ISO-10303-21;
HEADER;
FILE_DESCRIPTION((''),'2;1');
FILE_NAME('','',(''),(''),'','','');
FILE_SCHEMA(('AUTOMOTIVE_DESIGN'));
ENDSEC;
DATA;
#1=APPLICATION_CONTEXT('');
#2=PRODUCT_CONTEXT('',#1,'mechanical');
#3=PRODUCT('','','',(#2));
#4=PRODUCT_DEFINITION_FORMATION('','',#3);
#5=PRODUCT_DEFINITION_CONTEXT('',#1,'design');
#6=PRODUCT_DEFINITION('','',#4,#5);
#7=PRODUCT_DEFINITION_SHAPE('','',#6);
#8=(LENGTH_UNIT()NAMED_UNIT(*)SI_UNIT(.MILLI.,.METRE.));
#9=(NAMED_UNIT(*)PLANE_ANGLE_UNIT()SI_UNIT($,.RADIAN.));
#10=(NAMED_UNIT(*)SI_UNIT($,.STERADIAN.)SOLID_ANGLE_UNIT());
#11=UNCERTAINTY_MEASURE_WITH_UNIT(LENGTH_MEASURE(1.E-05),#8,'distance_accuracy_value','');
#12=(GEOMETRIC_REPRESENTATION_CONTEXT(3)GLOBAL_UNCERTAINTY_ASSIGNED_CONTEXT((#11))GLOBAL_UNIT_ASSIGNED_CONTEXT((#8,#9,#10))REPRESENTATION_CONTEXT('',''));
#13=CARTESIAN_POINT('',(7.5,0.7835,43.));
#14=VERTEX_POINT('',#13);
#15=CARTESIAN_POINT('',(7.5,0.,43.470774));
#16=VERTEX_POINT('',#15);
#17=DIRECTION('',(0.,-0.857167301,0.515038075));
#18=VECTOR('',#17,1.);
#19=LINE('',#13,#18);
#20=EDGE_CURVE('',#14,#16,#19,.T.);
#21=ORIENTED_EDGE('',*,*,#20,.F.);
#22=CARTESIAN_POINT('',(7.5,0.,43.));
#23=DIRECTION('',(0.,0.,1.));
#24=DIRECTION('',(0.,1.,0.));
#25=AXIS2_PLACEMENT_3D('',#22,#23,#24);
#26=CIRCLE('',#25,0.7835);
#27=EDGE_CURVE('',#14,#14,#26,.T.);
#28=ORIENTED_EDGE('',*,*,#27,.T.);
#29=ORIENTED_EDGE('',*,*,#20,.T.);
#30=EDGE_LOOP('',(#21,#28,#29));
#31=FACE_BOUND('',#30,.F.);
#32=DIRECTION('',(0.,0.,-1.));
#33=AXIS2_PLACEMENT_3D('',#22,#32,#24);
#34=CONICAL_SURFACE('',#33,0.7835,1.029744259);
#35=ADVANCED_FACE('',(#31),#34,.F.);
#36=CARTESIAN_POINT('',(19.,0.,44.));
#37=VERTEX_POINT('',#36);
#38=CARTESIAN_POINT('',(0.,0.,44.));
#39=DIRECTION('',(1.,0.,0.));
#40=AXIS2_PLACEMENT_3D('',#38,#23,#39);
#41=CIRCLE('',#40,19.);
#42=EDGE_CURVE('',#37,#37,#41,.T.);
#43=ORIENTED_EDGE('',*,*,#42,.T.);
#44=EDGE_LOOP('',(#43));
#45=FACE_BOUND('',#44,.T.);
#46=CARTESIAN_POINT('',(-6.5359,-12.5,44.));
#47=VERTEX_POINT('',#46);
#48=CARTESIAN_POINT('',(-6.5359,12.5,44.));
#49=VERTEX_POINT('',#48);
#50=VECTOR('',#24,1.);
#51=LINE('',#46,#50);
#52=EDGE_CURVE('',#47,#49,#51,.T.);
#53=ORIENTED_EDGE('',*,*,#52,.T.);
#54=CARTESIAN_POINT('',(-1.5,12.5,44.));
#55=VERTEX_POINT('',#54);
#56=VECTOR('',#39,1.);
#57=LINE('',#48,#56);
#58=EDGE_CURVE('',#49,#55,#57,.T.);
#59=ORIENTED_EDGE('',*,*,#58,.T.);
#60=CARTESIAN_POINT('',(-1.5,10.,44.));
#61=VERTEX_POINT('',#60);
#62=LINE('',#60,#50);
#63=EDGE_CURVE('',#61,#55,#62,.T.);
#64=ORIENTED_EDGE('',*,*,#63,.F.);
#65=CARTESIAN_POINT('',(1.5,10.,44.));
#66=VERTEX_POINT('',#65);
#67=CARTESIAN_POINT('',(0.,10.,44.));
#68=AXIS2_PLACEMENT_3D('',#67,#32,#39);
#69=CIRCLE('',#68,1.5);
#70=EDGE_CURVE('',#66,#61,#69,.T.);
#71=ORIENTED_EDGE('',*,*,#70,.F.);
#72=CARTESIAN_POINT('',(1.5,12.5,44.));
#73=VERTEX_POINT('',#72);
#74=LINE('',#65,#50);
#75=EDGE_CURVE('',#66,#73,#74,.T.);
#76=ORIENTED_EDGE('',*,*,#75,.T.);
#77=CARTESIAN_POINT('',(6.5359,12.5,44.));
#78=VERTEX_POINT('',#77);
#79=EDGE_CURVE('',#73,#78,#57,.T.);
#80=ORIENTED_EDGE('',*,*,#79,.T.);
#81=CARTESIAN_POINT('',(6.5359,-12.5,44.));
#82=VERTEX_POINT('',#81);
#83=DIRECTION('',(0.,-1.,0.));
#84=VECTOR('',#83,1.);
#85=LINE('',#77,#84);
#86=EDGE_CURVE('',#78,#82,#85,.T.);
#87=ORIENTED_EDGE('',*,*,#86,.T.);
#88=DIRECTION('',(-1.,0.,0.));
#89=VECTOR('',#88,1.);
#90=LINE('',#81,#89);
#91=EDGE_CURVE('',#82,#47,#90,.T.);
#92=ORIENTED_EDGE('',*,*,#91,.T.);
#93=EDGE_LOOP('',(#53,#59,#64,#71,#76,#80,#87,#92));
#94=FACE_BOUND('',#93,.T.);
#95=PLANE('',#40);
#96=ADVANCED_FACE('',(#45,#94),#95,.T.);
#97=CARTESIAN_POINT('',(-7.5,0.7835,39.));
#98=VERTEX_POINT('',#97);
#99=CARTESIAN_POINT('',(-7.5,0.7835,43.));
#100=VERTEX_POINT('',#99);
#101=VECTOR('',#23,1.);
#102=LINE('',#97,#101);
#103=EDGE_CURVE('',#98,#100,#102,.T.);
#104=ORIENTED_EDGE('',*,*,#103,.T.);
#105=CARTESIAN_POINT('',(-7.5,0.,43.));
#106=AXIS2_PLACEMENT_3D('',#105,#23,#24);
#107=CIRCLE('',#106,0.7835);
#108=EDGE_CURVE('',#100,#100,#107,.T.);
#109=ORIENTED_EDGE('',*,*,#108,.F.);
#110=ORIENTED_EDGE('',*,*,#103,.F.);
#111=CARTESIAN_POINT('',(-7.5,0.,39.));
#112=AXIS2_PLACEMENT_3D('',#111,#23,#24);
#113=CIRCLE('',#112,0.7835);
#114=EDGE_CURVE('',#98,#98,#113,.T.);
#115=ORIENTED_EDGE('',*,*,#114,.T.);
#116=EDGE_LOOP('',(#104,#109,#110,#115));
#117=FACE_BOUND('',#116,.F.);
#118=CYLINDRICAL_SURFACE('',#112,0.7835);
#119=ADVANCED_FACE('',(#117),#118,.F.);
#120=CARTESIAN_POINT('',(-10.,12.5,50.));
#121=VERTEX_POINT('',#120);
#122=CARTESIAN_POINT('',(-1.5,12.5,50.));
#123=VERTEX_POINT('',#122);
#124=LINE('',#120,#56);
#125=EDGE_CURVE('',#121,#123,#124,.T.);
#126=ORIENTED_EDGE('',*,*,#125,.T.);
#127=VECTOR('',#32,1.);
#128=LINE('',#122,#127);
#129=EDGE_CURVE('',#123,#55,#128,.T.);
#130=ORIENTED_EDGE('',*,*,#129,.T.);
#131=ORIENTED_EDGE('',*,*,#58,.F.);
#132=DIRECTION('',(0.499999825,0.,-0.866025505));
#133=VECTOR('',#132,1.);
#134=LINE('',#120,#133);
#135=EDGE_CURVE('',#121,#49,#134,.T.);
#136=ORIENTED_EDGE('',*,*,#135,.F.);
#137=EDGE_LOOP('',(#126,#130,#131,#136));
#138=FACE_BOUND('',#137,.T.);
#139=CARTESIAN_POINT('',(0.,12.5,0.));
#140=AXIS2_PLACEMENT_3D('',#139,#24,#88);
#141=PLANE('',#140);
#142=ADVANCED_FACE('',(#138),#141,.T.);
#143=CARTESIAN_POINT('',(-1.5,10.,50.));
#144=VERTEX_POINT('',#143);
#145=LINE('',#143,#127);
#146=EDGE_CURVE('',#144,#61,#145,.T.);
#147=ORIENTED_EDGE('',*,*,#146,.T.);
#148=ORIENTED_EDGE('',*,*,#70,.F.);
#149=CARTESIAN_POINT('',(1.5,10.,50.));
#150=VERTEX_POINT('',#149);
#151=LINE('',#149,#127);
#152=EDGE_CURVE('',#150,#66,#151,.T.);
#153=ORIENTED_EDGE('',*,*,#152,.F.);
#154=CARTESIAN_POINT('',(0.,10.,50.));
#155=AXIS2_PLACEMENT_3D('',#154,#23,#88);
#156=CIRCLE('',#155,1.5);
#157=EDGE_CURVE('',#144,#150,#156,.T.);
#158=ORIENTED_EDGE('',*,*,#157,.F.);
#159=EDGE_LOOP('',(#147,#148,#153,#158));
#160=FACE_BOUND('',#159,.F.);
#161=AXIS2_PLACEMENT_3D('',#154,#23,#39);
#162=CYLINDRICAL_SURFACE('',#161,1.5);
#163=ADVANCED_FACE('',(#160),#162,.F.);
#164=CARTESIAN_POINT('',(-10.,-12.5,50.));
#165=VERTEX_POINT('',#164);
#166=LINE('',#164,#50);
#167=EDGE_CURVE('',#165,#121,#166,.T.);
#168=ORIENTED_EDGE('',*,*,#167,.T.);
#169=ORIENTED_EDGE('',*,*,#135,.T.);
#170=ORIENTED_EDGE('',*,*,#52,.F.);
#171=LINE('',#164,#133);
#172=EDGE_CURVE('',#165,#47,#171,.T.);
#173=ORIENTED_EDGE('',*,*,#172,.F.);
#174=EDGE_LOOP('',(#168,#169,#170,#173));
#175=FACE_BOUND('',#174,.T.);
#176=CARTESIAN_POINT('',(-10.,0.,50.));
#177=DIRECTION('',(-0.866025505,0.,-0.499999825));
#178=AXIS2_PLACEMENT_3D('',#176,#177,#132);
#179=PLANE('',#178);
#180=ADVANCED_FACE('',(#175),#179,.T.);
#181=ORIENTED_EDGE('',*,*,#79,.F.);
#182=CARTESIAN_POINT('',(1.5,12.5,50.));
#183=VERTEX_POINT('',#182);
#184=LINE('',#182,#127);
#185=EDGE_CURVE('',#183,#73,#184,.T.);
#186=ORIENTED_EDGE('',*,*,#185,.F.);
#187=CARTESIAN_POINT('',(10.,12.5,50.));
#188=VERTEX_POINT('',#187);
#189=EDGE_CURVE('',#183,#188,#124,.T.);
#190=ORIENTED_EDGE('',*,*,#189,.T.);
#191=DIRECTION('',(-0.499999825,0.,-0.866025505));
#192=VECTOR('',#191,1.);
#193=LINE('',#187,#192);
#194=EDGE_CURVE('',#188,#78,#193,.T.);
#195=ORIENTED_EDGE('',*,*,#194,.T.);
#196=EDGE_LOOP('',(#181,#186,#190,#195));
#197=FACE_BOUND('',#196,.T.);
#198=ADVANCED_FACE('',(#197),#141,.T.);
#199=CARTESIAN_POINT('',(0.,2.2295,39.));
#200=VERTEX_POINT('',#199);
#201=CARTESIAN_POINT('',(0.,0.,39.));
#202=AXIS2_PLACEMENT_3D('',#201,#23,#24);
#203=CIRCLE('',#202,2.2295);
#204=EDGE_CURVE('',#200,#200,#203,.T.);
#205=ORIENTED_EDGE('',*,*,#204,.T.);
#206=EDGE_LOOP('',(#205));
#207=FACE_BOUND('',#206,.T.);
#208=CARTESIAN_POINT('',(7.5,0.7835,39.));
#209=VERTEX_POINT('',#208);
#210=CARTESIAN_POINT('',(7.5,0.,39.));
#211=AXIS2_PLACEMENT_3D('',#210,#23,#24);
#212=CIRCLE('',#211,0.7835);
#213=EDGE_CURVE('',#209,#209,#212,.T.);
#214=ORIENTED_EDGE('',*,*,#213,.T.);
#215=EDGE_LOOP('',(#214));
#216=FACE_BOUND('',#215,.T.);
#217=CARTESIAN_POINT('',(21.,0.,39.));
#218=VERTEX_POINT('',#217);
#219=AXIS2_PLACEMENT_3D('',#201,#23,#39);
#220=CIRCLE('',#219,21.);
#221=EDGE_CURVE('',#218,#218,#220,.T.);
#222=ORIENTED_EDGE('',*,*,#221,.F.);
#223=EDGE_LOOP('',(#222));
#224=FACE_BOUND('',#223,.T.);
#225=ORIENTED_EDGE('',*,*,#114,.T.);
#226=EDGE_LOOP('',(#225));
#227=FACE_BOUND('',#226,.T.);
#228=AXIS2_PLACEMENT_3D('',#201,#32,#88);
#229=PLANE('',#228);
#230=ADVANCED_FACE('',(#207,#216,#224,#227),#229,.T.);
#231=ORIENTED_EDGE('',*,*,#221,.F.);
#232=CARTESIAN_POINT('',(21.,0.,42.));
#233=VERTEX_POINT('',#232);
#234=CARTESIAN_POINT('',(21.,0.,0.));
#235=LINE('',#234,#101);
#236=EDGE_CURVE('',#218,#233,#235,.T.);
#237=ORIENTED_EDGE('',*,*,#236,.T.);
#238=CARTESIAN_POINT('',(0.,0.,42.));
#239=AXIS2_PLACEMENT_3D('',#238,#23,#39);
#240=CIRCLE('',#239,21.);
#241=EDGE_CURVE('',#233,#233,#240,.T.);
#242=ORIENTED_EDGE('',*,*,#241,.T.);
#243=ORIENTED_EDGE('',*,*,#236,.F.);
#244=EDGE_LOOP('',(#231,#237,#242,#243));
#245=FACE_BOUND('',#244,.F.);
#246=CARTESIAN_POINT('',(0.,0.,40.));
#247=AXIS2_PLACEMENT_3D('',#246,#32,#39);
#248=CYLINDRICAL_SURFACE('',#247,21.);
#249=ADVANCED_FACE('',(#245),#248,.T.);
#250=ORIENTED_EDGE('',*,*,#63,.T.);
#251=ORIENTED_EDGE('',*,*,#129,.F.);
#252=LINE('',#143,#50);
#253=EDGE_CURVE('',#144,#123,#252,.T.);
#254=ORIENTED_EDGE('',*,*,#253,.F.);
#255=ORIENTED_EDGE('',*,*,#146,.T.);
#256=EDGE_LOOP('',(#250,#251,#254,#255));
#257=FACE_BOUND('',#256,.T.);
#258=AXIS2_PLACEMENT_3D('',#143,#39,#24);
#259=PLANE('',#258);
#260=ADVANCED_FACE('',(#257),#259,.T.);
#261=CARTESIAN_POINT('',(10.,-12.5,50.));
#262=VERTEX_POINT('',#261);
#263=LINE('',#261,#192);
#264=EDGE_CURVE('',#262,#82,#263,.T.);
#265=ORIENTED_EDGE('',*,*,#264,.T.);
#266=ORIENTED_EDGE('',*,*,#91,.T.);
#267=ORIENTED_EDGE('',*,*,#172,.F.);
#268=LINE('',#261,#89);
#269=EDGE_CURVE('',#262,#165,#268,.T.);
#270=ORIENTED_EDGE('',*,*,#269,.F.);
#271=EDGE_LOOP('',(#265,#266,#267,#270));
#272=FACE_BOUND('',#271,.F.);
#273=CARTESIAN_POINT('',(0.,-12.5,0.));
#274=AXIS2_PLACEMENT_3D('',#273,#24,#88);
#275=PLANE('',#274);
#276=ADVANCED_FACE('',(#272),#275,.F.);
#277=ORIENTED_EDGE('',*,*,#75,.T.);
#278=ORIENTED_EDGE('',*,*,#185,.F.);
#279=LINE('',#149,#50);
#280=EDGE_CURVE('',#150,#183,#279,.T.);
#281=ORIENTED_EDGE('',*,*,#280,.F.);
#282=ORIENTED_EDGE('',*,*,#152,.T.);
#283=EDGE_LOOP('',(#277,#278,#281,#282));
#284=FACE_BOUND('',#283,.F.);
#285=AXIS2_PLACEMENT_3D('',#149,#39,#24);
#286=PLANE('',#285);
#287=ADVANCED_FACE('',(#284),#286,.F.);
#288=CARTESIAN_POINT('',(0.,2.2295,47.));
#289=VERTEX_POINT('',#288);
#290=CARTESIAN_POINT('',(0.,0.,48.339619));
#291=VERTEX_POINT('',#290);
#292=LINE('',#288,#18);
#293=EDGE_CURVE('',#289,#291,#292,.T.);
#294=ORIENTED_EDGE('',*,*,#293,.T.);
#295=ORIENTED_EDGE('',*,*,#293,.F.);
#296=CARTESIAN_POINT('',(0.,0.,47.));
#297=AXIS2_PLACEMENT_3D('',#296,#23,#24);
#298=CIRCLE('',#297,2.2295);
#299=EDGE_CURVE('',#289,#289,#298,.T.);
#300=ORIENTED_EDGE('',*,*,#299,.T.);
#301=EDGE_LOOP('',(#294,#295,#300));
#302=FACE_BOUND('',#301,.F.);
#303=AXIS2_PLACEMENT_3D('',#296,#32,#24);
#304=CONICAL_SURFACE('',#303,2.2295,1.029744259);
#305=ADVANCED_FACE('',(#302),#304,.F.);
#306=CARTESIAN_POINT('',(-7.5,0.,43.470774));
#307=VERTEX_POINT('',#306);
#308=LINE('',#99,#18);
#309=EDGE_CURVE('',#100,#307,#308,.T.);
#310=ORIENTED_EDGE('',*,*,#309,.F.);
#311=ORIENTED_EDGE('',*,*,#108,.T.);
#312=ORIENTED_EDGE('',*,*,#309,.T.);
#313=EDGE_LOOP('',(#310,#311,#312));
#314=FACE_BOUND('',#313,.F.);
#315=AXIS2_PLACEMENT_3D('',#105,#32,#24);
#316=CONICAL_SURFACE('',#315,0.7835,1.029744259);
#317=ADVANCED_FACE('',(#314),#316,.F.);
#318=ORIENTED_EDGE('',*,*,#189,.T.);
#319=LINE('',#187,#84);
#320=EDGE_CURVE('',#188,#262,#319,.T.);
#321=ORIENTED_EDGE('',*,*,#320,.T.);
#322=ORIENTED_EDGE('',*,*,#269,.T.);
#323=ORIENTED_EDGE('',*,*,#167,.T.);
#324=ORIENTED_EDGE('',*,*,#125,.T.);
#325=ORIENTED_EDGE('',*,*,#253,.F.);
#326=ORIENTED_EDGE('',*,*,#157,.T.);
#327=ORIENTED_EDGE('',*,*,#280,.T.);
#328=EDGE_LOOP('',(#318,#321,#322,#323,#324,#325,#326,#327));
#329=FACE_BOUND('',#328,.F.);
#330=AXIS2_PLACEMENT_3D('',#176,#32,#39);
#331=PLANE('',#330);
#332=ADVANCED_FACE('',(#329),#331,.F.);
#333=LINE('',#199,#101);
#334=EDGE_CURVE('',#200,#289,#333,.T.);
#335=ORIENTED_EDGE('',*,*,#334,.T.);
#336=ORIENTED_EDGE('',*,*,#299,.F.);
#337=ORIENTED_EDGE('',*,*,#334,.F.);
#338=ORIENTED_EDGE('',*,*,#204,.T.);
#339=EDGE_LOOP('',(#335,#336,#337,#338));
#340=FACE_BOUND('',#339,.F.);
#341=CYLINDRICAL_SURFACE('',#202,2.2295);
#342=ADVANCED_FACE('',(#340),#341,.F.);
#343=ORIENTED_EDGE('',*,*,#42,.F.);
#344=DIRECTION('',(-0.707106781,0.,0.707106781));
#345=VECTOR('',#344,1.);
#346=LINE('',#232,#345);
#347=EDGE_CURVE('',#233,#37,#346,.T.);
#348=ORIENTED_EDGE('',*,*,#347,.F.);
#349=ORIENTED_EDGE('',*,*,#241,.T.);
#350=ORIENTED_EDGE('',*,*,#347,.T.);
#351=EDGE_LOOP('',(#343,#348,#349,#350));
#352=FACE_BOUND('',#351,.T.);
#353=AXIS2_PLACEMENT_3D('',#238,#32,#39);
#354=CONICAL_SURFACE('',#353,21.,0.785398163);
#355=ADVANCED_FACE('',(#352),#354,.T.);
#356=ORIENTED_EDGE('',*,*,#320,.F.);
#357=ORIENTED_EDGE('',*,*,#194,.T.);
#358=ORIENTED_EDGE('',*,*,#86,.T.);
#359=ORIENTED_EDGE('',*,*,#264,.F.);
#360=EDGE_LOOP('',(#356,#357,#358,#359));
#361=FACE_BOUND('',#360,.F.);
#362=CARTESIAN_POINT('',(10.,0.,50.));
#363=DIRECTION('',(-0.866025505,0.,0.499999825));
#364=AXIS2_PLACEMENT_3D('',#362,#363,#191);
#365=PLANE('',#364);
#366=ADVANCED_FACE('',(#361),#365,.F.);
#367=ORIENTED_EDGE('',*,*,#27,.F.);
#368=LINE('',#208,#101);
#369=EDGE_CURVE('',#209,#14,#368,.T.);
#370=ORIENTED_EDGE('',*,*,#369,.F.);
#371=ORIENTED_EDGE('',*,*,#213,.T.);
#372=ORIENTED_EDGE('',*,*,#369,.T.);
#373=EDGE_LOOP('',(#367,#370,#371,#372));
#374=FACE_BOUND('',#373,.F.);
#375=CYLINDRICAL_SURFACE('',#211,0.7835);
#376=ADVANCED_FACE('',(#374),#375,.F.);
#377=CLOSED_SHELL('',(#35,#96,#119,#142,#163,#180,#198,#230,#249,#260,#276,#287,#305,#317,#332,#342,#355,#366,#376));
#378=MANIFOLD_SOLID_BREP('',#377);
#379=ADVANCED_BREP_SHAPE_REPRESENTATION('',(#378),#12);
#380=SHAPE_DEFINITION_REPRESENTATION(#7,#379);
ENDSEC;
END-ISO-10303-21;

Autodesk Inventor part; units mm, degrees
ref_plane "YZ Plane" through (0, 0, 0) normal (1, 0, 0) x (0, 1, 0)
ref_plane "XY Plane" through (0, 0, 0) normal (0, 0, 1) x (1, 0, 0)
sketch "Skizze1" plane through (0, 0, 0) normal (0, 0, 1) x (1, 0, 0)
  line L0 (-29.4, 0) -> (29.4, 0) projected
  line L1 (0, -29.4) -> (0, 29.4) projected
  circle A0 centre (0, 0) radius 21
  circle A1 centre (0, 0) radius 19.5
  dimension "d0" = 42
  dimension "d1" = 39
extrude "Extrusion1" add sketch "Skizze1" along normal blind 40 contours A1 L1 A0 L0 | L0 A0 L1 A1 | A1 L0 A0 L1 | L1 A0 L0 A1
sketch "Skizze2" plane through (0, 0, 40) normal (0, 0, 1) x (1, 0, 0)
  circle A0 centre (0, 0) radius 19.5 projected
extrude "Extrusion2" add sketch "Skizze2" against normal blind 1
sketch "Skizze3" plane through (0, 0, 40) normal (0, 0, 1) x (1, 0, 0)
  circle A0 centre (0, 0) radius 21 projected
extrude "Extrusion3" add sketch "Skizze3" along normal blind 4
sketch "Skizze4" plane through (0, 0, 0) normal (0, 1, 0) x (-1, 0, 0)
  line L0 (21, 44) -> (-21, 44) projected
  line L1 (10, 50) -> (-10, 50)
  line L2 (0, -9.2) -> (0, 55.2) projected
  line L3 (29.4, 0) -> (-29.4, 0) projected
  line L4 (-10, 50) -> (-6.5359, 44)
  line L5 (10, 50) -> (6.5359, 44)
  line L6 (-6.5359, 44) -> (6.5359, 44)
  point P0 (0, 0)
  dimension "d8" = 20
  dimension "d9" = 6
  dimension "d10" = 60
extrude "Extrusion4" add sketch "Skizze4" along normal mid plane 25
ref_plane "Arbeitsebene1" through (0, 21, 0) normal (0, 1, 0) x (-1, 0, 0)
sketch "Skizze5" plane through (0, 21, 0) normal (0, 1, 0) x (-1, 0, 0)
  line L0 (29.4, 0) -> (-29.4, 0) projected
  line L1 (0, -10) -> (0, 60) projected
  point P0 (0, 0)
  point P1 (0, 2)
  dimension "d16" = 2
hole "Bohrung1" at (0, 21, 2) direction (0, -1, 0) diameter 2.4 end through all
pattern_circular "Runde Anordnung1" count 4 over 360 about axis through (0, 0, 0) along (0, 0, 1) of "Bohrung1"
sketch "Skizze6" plane through (-10, 12.5, 50) normal (0, 0, 1) x (1, 0, 0)
  line L0 (0, 0) -> (20, 0) projected
  line L1 (-19.4018, -12.5) -> (39.4018, -12.5) projected
  line L2 (10, -41.9018) -> (10, 16.9018) projected
  circle A0 centre (10, -2.5) radius 1.5
  line L3 (8.5, -2.5) -> (8.5, 0)
  line L4 (11.5, -2.5) -> (11.5, 0)
  line L5 (11.5, 0) -> (8.5, 0)
  point P0 (10, -12.5)
  dimension "d27" = 10
  dimension "d28" = 3
extrude "Extrusion5" cut sketch "Skizze6" against normal up to surface (6 mm away)
chamfer "Fase2" distance 2 angle 45 1 edges at (-21, 0, 44)
sketch "Skizze8" plane through (0, 0, 0) normal (0, 0, -1) x (-1, 0, 0)
  circle A0 centre (0, 0) radius 19.5 projected
  circle A1 centre (0, 0) radius 21 projected
extrude "Extrusion6" cut sketch "Skizze8" against normal up to surface (39 mm away)
sketch "Skizze9" plane through (0, 0, 39) normal (0, 0, -1) x (-1, 0, 0)
  circle A0 centre (0, 0) radius 21 projected
hole "Bohrung2" at (0, 0, 39) direction (0, 0, 1) diameter 4.459 depth 8 tip angle 118 thread size "M5x0.5" class "6H" standard "ISO Metric profile"
sketch "Skizze11" plane through (0, 0, 39) normal (0, 0, -1) x (-1, 0, 0)
  circle A0 centre (0, 0) radius 21 projected
  circle A1 centre (0, 0) radius 7.5
  line L0 (29.4, 0) -> (-29.4, 0) projected
  line L1 (0, -29.4) -> (0, 29.4) projected
  point P0 (-7.5, 0)
  point P1 (7.5, 0)
  dimension "d44" = 15
hole "Bohrung3" at (7.5, 0, 39) at (-7.5, 0, 39) direction (0, 0, 1) diameter 1.567 depth 4 tip angle 118 thread size "M2x0.4" class "6H" standard "ISO Metric profile"
properties part number "13_1087_061"
